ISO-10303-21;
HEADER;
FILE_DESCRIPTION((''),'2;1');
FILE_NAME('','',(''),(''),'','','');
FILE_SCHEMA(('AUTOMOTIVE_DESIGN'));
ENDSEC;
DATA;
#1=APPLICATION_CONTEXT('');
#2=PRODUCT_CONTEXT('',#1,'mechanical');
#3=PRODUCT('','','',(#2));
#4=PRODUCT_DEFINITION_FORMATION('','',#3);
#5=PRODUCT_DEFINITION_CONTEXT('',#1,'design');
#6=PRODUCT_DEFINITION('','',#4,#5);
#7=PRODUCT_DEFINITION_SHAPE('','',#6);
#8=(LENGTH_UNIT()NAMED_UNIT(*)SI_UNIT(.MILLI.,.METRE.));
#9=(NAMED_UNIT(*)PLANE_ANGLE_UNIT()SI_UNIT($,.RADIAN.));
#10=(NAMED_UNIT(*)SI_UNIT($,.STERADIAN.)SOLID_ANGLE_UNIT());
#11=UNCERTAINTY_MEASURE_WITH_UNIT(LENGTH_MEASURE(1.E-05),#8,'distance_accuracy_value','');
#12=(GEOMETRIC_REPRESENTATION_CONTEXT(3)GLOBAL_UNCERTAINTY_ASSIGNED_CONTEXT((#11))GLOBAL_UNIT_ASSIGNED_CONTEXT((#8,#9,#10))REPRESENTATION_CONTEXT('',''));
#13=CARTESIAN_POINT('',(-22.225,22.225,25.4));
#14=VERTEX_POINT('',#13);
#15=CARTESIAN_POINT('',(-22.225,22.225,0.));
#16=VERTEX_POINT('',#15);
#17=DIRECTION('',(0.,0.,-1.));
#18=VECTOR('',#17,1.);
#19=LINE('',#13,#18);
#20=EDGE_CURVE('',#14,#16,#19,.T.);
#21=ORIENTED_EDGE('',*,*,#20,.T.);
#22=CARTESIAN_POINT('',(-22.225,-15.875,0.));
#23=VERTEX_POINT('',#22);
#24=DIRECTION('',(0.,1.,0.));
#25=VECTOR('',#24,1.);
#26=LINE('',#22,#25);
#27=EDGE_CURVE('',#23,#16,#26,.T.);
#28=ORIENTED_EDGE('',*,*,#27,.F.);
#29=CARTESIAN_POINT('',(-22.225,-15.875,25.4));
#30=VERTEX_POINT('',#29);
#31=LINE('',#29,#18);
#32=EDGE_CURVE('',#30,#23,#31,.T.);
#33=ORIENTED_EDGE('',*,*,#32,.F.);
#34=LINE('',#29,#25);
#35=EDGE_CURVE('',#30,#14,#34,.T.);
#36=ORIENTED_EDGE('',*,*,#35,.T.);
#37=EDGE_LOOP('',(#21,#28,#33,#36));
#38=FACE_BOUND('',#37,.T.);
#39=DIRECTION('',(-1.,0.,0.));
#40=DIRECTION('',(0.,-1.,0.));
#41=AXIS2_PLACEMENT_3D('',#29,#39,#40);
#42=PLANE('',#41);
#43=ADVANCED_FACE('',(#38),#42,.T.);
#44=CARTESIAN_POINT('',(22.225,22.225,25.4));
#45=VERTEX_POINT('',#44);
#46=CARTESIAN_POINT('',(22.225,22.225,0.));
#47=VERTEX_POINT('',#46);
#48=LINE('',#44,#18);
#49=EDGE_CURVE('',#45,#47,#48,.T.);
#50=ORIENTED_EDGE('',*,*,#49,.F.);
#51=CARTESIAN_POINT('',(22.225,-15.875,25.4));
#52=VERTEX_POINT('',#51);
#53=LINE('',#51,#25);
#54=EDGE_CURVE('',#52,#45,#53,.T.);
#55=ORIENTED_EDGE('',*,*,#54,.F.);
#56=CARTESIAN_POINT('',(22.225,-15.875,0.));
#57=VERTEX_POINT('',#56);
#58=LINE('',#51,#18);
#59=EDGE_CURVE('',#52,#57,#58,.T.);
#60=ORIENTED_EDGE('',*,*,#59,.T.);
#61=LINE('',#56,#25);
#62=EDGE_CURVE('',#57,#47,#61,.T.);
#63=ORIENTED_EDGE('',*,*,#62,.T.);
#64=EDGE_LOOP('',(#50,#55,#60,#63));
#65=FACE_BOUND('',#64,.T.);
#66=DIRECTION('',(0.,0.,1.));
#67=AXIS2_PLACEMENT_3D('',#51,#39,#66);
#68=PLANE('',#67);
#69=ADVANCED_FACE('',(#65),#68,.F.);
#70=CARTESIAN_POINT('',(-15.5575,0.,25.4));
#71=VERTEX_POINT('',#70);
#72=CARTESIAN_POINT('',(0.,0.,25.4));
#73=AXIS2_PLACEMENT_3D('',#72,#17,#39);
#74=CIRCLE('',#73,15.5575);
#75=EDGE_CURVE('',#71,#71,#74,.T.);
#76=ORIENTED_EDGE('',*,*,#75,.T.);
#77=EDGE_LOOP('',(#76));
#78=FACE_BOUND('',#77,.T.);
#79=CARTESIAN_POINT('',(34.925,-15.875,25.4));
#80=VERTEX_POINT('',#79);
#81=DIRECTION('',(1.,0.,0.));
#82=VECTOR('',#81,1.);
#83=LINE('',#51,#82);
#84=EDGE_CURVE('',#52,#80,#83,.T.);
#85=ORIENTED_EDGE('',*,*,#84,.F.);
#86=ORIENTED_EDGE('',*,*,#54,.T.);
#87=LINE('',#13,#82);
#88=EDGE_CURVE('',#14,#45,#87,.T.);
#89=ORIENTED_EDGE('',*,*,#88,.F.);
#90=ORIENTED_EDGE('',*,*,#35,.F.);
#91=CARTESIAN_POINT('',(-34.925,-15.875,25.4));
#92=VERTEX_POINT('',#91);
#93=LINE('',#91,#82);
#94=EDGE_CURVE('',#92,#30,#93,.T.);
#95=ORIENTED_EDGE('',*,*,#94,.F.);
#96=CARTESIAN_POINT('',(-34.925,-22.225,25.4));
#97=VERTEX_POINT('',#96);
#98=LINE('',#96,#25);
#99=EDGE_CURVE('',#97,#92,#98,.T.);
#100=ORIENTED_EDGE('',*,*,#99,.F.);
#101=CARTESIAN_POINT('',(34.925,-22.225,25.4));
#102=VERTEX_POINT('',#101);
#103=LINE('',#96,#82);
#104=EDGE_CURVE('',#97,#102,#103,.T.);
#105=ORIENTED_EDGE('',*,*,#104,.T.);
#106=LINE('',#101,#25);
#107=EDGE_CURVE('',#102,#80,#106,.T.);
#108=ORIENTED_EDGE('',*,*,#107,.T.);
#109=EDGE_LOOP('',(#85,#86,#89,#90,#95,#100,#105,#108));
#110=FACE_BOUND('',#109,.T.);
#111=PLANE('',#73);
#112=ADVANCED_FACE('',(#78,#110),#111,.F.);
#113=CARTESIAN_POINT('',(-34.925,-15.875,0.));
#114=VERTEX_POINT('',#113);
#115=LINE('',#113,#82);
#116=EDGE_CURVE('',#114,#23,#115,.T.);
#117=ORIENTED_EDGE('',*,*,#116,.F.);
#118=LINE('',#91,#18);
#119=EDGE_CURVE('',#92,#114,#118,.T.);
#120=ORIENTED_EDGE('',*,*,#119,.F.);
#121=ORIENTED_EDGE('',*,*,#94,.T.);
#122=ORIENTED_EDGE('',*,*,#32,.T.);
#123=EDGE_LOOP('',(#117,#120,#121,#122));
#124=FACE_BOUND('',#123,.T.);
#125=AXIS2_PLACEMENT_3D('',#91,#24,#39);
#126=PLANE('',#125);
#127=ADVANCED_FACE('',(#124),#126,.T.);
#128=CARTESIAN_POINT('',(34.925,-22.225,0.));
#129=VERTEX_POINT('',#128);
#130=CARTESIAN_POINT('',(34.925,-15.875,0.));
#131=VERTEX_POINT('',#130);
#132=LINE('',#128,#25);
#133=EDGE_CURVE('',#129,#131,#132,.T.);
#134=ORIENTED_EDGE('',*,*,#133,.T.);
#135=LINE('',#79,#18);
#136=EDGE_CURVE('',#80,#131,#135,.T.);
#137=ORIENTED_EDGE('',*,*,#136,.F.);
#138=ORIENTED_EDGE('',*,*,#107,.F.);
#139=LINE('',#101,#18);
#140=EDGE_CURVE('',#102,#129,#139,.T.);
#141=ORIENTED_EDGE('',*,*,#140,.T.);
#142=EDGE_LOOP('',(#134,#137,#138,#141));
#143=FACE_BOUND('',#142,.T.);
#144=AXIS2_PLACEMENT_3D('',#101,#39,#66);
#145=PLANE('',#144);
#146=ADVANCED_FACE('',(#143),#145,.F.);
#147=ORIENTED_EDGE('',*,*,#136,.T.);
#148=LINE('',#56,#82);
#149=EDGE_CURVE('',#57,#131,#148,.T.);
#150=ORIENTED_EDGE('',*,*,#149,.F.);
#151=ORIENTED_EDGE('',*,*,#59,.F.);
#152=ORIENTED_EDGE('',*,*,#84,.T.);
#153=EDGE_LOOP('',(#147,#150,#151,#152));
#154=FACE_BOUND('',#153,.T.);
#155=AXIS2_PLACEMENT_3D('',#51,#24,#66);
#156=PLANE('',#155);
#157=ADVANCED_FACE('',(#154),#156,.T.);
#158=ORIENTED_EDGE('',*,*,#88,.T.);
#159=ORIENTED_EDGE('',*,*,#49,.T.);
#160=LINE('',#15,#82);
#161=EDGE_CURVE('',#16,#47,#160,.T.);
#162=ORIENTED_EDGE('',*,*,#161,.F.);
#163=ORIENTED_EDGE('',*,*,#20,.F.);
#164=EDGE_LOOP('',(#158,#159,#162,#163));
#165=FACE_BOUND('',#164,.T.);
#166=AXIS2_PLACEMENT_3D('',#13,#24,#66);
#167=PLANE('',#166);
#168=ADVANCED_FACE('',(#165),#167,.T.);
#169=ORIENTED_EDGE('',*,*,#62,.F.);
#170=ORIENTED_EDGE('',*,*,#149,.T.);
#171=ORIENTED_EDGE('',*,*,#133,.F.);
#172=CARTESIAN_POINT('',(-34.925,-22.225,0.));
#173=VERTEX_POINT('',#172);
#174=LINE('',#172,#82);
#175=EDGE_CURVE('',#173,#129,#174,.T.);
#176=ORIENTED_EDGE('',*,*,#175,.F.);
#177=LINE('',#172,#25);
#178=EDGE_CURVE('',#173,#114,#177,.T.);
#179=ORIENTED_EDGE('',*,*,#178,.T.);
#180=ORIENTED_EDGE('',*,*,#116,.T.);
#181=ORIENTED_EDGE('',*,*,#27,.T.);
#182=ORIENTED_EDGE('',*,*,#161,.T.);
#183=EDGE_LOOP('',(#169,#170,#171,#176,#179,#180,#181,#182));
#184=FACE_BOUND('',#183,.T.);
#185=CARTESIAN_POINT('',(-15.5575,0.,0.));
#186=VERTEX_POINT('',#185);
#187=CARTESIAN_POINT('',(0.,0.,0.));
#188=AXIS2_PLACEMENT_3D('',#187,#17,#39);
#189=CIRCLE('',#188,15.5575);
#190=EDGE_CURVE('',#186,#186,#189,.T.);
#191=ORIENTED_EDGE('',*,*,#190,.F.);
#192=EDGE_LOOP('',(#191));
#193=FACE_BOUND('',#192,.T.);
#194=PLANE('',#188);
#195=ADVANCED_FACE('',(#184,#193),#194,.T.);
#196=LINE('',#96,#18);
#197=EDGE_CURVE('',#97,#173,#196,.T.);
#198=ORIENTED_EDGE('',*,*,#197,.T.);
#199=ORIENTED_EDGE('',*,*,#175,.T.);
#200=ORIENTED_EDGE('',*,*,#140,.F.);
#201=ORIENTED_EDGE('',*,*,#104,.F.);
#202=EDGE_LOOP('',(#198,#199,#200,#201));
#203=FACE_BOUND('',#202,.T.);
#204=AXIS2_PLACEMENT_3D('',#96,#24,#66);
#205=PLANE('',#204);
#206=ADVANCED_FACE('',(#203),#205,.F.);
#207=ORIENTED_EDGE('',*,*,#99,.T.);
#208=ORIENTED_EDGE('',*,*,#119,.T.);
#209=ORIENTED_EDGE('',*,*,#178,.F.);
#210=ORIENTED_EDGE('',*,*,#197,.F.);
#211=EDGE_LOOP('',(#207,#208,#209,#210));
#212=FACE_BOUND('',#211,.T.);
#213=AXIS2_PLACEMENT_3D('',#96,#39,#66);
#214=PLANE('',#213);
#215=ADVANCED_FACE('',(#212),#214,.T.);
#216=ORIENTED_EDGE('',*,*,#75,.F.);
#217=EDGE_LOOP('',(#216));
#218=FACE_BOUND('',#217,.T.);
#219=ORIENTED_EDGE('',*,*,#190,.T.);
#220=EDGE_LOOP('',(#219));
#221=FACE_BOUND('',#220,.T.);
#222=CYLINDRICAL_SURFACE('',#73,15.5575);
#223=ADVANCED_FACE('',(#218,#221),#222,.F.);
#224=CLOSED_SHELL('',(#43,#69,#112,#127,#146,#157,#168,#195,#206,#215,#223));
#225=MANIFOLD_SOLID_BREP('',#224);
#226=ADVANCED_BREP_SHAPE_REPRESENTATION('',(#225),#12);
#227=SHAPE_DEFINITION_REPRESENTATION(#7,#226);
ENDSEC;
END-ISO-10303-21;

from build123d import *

# Parameters (mm, degrees)
BOSS_EXTRUDE2_DEPTH = 25.4
SKETCH2_R           = 15.5575
CUT_EXTRUDE1_DEPTH  = 49.568160867


with BuildPart() as part:
    # Sketch1 → Boss-Extrude2 (new body)
    with BuildSketch(Plane.XY):
        Polygon((-34.925, -22.225), (34.925, -22.225), (34.925, -15.875), (22.225, -15.875), (22.225, 22.225), (-22.225, 22.225), (-22.225, -15.875), (-34.925, -15.875), align=None)
    extrude(amount=BOSS_EXTRUDE2_DEPTH)

    # Sketch2 → Cut-Extrude1 (cut, through all)
    with BuildSketch(Plane(origin=(0, 0, 0), x_dir=(-1, 0, 0), z_dir=(0, 0, -1))):
        Circle(SKETCH2_R)
    extrude(amount=-CUT_EXTRUDE1_DEPTH, mode=Mode.SUBTRACT)


solid = part.part
